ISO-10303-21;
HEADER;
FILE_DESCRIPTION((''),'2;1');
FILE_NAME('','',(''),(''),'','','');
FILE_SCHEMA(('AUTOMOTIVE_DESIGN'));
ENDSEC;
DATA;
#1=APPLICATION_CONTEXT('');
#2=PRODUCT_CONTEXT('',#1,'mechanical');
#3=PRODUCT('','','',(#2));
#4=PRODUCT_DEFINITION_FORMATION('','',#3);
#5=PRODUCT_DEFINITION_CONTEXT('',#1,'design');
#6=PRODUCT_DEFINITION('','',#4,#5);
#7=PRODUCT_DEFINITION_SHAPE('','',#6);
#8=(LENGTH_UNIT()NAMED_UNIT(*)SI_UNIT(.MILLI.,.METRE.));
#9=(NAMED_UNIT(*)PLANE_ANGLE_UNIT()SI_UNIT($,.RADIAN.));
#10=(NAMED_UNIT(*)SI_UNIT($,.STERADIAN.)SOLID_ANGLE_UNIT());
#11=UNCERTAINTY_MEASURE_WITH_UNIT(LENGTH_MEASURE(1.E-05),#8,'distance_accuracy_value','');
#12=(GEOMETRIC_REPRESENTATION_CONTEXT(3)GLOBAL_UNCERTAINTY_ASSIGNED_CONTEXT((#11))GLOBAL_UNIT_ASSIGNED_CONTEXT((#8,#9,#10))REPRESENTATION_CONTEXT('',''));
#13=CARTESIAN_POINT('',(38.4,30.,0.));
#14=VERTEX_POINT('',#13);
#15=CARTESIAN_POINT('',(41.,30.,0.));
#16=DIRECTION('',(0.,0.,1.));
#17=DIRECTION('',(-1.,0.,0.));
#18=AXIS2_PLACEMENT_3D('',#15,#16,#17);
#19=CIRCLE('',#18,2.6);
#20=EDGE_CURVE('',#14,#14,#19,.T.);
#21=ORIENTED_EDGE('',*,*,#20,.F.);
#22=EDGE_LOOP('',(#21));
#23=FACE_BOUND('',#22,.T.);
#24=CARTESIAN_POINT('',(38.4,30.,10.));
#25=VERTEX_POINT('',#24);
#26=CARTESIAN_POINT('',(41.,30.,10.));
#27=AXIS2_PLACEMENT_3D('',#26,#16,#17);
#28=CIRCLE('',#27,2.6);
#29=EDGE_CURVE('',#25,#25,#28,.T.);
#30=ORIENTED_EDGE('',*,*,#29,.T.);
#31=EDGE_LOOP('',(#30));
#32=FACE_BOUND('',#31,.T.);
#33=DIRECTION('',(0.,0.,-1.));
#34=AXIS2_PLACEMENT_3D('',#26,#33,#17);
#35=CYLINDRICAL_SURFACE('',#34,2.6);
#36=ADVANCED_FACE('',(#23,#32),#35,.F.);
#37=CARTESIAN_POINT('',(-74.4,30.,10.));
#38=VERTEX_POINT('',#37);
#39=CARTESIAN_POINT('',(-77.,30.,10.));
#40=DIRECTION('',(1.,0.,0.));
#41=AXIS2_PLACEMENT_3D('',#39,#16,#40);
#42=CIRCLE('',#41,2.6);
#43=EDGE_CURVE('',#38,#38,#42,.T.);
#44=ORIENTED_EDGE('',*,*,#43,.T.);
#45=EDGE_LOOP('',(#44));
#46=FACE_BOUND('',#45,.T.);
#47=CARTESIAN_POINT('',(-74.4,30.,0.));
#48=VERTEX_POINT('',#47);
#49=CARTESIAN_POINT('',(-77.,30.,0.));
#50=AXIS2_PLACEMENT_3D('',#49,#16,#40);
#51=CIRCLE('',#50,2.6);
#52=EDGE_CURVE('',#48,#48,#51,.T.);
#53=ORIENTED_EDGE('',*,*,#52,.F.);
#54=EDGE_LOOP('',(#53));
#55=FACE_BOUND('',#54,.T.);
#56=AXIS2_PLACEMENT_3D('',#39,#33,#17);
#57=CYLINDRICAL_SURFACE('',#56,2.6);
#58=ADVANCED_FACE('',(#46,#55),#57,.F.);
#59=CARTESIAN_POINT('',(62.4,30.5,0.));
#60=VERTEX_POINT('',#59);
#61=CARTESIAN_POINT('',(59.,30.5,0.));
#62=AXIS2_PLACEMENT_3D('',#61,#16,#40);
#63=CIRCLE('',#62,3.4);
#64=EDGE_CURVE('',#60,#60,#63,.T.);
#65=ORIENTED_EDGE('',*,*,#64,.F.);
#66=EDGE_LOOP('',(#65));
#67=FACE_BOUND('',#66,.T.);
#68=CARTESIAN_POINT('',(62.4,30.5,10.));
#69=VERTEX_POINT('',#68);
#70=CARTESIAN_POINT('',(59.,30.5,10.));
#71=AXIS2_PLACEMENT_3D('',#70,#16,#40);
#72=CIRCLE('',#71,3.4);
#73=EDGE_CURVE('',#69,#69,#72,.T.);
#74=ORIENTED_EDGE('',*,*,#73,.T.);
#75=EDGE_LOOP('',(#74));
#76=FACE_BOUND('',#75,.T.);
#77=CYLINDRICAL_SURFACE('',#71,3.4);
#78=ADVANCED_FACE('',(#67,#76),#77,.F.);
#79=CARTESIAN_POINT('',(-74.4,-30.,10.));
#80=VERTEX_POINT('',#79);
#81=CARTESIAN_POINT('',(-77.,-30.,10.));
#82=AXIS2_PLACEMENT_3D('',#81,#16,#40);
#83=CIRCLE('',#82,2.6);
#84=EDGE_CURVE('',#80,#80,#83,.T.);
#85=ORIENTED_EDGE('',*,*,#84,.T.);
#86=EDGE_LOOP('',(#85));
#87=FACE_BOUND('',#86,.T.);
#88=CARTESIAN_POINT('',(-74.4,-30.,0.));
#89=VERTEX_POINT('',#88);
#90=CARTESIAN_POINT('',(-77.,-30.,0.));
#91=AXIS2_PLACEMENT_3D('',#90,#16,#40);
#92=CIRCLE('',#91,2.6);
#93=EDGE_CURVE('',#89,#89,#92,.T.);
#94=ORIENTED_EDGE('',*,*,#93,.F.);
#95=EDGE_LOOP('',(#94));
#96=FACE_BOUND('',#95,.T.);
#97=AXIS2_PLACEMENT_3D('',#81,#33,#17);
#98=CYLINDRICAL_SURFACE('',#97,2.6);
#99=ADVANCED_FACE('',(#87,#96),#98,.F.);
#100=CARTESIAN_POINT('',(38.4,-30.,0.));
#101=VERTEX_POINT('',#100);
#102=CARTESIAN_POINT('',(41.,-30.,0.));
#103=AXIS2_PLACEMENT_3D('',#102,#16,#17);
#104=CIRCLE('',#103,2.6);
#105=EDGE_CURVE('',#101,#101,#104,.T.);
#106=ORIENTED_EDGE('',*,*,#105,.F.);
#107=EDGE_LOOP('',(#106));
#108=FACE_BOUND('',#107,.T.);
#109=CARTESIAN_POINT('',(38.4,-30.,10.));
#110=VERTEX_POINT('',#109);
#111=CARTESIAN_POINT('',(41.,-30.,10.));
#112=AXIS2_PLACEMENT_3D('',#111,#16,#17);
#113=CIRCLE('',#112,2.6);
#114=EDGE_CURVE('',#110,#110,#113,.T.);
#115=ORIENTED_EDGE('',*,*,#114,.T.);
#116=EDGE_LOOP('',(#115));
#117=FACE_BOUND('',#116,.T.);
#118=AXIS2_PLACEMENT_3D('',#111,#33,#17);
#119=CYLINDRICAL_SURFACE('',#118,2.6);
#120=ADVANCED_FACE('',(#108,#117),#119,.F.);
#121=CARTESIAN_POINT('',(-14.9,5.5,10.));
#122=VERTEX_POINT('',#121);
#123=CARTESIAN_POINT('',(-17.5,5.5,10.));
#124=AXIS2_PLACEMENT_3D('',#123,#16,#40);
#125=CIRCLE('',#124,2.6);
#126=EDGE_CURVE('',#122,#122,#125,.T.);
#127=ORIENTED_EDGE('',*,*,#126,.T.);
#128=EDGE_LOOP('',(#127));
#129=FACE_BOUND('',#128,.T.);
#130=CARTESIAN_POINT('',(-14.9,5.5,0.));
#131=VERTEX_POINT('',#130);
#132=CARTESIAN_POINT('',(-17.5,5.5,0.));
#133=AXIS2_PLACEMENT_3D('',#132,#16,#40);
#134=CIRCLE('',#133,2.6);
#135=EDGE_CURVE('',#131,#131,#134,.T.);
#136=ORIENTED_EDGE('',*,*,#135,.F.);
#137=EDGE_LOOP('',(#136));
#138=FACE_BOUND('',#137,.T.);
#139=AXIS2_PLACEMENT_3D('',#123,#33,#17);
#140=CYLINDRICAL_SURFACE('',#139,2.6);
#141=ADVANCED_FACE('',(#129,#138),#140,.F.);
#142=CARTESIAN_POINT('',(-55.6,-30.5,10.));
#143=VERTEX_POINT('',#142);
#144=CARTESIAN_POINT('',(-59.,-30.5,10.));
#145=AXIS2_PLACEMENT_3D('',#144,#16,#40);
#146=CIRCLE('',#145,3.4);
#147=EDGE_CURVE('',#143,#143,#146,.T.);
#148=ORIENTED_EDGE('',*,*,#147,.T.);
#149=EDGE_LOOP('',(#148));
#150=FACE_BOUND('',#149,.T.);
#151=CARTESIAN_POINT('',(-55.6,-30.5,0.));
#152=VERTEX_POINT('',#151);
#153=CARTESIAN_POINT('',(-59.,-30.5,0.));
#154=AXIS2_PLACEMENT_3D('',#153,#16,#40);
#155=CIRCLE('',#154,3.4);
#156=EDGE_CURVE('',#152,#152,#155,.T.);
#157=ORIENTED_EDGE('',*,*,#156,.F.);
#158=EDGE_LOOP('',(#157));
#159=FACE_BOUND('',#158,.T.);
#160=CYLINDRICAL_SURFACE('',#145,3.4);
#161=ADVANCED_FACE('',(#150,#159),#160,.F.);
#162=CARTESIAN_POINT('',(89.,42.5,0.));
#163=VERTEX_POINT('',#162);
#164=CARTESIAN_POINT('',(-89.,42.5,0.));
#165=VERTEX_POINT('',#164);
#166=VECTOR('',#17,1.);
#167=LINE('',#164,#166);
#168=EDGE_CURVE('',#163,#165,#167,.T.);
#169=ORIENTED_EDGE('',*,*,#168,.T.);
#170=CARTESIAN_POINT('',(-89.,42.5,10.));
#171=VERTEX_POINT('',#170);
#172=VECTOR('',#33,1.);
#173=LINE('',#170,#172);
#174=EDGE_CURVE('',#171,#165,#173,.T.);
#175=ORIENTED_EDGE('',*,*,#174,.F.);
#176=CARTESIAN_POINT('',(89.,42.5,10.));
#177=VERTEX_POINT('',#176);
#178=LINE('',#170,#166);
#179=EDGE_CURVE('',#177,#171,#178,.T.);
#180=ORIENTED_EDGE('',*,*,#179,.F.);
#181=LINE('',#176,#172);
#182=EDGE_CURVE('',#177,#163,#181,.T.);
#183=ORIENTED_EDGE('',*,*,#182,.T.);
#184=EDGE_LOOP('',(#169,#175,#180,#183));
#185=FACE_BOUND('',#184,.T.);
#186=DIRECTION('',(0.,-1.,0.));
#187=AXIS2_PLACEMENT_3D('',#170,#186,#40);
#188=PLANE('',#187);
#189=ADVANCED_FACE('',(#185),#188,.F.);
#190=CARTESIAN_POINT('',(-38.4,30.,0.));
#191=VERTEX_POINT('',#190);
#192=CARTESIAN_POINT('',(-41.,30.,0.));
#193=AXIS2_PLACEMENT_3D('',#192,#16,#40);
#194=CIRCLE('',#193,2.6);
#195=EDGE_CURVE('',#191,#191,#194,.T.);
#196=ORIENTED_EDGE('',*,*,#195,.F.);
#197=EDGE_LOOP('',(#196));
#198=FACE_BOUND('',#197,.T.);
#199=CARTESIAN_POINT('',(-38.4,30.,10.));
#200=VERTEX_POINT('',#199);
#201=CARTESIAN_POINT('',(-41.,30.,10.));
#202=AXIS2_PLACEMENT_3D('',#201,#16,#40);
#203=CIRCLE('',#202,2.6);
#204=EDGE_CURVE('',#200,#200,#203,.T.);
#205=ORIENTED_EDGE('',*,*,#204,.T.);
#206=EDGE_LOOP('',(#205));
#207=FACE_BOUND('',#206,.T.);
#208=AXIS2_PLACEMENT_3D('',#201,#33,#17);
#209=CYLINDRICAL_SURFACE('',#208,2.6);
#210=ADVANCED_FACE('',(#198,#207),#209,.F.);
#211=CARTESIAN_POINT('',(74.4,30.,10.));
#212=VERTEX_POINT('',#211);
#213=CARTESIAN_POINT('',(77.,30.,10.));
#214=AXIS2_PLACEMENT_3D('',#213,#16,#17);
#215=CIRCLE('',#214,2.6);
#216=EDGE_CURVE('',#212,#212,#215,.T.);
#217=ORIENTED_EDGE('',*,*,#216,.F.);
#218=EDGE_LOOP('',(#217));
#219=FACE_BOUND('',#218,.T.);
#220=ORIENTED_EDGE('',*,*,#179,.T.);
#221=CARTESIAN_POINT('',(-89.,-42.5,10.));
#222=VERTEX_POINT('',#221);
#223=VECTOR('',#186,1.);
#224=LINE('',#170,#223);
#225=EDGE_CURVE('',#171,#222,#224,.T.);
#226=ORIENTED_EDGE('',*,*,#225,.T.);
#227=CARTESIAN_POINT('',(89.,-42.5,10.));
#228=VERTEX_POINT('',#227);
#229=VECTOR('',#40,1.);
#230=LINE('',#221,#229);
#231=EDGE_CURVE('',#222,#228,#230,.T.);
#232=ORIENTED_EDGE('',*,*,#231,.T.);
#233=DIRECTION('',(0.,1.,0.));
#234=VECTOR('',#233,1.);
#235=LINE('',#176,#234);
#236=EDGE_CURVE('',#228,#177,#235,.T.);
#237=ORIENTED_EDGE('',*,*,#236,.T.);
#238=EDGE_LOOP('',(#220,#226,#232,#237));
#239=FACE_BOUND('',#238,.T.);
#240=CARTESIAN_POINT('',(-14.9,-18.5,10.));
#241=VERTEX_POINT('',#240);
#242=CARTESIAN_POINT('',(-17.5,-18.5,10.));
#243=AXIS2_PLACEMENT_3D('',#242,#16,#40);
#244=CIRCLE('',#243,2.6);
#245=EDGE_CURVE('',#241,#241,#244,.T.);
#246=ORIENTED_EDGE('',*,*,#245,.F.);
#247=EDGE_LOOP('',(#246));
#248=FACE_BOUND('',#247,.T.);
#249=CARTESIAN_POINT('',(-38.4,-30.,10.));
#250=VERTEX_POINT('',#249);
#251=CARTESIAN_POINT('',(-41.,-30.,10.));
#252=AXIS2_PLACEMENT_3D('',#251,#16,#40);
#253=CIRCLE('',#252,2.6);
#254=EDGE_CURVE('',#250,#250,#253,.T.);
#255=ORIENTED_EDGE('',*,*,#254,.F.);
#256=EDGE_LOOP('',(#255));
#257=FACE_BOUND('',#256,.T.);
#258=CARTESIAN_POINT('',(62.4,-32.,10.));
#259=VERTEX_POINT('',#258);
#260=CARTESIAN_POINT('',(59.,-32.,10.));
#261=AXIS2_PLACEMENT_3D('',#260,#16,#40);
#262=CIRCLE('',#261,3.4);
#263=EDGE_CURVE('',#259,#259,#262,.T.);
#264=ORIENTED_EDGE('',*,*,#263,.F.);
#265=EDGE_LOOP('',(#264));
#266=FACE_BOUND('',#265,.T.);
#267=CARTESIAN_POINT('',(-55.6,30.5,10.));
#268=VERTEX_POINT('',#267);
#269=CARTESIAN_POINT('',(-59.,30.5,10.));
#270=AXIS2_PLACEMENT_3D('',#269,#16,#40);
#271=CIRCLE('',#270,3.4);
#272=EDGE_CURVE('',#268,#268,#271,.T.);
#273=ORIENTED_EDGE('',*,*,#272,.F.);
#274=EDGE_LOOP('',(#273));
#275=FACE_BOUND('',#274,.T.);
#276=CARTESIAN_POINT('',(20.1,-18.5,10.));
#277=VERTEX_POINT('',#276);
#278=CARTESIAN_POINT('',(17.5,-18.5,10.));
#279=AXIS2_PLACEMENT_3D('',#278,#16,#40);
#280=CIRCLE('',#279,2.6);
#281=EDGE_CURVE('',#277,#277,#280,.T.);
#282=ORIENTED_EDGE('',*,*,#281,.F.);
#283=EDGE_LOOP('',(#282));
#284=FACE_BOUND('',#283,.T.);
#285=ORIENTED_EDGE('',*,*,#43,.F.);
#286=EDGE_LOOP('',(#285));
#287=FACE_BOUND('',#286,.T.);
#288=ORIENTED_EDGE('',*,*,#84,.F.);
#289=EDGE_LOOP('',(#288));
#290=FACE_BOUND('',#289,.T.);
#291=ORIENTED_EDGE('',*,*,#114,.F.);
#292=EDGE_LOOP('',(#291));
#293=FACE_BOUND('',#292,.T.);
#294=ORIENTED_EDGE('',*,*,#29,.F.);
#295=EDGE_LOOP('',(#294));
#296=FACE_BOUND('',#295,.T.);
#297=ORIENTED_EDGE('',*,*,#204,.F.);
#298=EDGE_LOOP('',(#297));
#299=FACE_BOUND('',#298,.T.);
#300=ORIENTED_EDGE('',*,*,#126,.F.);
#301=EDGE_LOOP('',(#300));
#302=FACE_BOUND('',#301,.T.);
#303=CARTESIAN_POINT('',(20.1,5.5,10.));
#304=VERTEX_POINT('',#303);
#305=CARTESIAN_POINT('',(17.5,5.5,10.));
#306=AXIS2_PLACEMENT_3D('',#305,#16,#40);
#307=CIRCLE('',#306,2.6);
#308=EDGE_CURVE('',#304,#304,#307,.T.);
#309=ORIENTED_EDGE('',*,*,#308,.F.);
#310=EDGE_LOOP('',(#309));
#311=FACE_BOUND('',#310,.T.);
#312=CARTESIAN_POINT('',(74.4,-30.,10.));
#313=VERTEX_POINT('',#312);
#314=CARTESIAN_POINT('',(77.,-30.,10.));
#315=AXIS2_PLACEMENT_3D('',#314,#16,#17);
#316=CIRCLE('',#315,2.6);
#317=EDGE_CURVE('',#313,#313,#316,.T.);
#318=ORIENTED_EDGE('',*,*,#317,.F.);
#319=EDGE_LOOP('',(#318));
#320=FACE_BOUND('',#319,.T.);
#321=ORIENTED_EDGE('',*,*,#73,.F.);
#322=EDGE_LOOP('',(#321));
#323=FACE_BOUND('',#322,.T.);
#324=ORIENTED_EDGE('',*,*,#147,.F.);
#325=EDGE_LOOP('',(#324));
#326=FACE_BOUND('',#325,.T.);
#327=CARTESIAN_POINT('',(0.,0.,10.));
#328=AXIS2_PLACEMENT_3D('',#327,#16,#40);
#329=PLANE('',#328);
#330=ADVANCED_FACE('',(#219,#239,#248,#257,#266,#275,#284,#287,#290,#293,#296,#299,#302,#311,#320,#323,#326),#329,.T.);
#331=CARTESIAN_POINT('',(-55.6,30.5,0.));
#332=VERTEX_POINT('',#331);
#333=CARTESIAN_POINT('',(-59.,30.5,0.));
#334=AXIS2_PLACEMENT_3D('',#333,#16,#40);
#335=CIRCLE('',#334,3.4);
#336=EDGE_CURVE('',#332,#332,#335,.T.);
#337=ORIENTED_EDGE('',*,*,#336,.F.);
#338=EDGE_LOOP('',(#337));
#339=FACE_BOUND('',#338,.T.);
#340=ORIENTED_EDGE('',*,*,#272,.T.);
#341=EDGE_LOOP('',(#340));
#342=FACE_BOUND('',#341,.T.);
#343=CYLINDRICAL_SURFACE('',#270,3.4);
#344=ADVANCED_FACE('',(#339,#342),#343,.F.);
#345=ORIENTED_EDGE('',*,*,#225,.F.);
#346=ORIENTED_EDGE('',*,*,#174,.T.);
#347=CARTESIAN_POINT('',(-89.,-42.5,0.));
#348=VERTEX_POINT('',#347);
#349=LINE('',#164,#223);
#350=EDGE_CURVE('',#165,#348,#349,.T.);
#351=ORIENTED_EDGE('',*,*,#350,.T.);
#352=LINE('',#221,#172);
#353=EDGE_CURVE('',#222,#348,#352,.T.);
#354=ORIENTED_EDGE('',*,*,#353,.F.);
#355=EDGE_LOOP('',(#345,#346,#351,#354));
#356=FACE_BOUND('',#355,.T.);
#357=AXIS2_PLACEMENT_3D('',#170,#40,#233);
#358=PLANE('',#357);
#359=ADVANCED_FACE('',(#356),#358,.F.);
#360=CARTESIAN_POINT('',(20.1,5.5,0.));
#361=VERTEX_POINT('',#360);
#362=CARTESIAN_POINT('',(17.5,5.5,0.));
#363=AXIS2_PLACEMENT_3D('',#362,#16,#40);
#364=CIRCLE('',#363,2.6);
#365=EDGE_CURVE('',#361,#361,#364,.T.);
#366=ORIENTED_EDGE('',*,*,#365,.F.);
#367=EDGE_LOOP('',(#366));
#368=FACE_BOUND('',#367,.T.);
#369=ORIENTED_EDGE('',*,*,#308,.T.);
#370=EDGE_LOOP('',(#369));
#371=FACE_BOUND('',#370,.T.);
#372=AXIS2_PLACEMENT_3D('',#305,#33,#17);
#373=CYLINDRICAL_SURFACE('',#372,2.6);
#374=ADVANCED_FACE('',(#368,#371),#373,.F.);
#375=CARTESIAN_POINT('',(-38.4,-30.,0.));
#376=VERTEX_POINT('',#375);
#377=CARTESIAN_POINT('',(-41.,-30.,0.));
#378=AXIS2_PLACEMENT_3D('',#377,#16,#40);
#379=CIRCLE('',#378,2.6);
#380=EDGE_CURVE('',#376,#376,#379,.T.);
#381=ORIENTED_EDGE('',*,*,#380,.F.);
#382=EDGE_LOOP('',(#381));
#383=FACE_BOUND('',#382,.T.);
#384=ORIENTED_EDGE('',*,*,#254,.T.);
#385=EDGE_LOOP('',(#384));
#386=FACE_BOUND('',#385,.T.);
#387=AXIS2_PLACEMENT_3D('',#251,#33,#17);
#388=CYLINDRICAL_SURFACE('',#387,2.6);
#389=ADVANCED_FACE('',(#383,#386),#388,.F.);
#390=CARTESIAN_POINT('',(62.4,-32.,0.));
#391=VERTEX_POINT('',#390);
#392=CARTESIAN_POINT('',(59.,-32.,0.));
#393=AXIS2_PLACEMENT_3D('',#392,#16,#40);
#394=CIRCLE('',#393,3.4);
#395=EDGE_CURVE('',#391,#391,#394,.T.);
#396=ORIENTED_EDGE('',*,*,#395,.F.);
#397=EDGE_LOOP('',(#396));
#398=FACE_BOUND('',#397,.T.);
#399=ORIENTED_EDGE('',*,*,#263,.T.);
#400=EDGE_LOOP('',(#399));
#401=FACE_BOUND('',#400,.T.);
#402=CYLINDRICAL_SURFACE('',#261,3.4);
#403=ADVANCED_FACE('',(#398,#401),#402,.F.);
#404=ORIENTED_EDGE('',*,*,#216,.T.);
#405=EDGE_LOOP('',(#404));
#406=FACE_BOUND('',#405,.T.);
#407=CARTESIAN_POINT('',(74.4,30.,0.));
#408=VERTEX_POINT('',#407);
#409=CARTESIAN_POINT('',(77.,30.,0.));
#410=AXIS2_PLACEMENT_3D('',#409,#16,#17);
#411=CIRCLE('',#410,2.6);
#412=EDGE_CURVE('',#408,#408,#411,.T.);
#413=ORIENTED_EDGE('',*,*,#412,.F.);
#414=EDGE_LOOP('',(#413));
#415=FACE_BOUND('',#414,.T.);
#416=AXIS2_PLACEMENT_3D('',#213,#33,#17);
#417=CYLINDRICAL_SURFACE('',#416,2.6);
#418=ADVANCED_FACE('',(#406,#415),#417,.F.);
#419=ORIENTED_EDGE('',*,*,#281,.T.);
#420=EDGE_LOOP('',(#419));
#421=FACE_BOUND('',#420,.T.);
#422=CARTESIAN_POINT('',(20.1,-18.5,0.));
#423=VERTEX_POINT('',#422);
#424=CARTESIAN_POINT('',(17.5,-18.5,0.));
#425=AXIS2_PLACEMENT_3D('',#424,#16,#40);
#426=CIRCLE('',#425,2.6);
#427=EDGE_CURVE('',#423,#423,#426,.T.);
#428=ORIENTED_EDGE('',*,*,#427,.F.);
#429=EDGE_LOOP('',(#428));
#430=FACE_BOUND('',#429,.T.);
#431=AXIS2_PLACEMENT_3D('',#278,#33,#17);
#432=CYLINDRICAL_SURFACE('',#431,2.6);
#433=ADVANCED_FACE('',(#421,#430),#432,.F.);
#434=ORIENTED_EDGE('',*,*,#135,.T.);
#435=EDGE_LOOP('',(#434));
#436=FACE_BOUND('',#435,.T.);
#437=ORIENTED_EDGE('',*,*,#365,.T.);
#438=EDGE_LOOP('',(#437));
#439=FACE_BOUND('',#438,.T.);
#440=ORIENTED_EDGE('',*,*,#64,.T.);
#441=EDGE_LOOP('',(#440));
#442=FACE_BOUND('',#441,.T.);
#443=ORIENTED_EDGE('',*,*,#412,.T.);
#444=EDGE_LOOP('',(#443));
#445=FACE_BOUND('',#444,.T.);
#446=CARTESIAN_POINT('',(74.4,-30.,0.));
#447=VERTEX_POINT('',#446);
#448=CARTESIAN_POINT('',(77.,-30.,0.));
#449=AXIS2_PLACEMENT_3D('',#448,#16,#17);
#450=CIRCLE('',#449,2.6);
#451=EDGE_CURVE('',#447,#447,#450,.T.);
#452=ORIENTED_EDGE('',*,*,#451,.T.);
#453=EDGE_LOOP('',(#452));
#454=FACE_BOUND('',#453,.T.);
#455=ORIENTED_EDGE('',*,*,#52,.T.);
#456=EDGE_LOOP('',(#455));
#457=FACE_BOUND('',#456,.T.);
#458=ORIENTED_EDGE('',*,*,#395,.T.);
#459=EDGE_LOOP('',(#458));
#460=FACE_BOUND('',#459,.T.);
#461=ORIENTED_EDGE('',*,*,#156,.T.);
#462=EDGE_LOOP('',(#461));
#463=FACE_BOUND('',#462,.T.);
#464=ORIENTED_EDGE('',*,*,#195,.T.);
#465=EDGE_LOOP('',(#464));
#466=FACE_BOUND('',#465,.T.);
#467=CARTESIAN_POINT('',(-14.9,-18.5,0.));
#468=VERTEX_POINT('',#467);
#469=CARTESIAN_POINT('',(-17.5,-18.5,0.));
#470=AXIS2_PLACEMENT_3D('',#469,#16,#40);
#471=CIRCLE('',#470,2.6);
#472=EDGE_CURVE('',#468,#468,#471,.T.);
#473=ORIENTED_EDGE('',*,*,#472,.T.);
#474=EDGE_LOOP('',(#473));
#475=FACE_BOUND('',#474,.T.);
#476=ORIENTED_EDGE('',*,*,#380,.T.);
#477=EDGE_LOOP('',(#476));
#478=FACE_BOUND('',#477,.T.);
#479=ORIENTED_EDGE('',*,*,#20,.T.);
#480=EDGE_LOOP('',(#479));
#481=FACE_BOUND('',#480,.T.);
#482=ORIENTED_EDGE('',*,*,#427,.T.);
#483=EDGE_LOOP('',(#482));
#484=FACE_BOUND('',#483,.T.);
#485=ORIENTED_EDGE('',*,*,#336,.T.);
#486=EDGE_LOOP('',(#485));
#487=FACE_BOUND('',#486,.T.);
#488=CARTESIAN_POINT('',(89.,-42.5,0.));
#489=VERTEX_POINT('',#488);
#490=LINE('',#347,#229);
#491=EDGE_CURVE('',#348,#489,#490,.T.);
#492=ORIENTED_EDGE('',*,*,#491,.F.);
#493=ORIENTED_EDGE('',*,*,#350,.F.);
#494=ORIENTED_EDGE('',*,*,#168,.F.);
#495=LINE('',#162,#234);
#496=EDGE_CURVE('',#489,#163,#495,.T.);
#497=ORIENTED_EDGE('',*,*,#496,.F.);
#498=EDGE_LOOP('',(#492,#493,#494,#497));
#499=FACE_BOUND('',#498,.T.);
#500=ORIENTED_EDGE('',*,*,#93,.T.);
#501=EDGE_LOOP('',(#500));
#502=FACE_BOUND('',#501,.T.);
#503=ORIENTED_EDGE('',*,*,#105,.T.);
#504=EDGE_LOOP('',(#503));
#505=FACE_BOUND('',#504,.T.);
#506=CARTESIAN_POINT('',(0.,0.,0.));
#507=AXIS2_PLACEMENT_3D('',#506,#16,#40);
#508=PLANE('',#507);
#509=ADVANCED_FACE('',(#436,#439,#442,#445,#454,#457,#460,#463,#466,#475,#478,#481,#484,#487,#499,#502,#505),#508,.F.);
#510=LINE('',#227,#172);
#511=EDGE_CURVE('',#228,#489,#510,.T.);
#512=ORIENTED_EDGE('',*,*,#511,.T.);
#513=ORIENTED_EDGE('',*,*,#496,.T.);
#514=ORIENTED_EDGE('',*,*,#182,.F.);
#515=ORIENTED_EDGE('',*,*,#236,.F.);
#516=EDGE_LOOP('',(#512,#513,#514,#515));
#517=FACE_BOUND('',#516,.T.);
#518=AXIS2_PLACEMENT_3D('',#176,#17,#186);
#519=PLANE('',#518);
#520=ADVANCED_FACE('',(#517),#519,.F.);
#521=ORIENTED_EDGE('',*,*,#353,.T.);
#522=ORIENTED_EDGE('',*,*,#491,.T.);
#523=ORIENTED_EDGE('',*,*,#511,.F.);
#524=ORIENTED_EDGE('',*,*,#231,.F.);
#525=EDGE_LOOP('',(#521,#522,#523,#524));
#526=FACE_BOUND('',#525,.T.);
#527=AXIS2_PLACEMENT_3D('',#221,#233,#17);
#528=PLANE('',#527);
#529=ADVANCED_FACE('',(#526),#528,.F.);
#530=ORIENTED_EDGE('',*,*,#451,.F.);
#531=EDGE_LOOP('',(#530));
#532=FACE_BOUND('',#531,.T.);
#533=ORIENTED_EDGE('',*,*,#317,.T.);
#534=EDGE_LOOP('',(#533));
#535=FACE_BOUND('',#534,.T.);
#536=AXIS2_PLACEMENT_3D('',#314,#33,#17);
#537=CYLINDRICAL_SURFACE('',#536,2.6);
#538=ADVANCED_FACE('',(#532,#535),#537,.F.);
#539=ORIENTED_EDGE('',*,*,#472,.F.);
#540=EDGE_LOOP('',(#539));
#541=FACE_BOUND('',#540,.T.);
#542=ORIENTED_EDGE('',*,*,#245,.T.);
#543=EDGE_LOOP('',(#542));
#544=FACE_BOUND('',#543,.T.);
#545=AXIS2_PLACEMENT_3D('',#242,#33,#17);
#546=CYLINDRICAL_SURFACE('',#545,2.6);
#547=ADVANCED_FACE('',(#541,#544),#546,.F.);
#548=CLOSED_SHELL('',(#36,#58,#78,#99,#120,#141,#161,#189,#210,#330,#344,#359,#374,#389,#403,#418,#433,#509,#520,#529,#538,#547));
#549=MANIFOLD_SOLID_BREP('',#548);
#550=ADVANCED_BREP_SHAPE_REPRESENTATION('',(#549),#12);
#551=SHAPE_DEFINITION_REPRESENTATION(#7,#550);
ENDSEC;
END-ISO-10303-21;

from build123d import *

# Parameters (mm, degrees)
SKETCH1_W           = 178
SKETCH1_H           = 85
SKETCH1_R           = 2.6
BOSS_EXTRUDE1_DEPTH = 10
M8_TAPPED_HOLE1_D   = 6.8


with BuildPart() as part:
    # Sketch1 → Boss-Extrude1 (new body)
    with BuildSketch(Plane.XY):
        Rectangle(SKETCH1_W, SKETCH1_H)
        with Locations((-77, -30)):
            Circle(SKETCH1_R, mode=Mode.SUBTRACT)
        with Locations((-41, -30)):
            Circle(SKETCH1_R, mode=Mode.SUBTRACT)
        with Locations((-41, 30)):
            Circle(SKETCH1_R, mode=Mode.SUBTRACT)
        with Locations((-77, 30)):
            Circle(SKETCH1_R, mode=Mode.SUBTRACT)
        with Locations((-17.5, -18.5)):
            Circle(SKETCH1_R, mode=Mode.SUBTRACT)
        with Locations((17.5, -18.5)):
            Circle(SKETCH1_R, mode=Mode.SUBTRACT)
        with Locations((17.5, 5.5)):
            Circle(SKETCH1_R, mode=Mode.SUBTRACT)
        with Locations((-17.5, 5.5)):
            Circle(SKETCH1_R, mode=Mode.SUBTRACT)
        with Locations((77, -30)):
            Circle(SKETCH1_R, mode=Mode.SUBTRACT)
        with Locations((41, -30)):
            Circle(SKETCH1_R, mode=Mode.SUBTRACT)
        with Locations((41, 30)):
            Circle(SKETCH1_R, mode=Mode.SUBTRACT)
        with Locations((77, 30)):
            Circle(SKETCH1_R, mode=Mode.SUBTRACT)
    extrude(amount=BOSS_EXTRUDE1_DEPTH)

    # M8 Tapped Hole1 (through all)
    with Locations(Plane.XY.offset(10)):
        with Locations((59, 30.5), (-59, 30.5), (-59, -30.5), (59, -32)):
            Hole(M8_TAPPED_HOLE1_D / 2)


solid = part.part
